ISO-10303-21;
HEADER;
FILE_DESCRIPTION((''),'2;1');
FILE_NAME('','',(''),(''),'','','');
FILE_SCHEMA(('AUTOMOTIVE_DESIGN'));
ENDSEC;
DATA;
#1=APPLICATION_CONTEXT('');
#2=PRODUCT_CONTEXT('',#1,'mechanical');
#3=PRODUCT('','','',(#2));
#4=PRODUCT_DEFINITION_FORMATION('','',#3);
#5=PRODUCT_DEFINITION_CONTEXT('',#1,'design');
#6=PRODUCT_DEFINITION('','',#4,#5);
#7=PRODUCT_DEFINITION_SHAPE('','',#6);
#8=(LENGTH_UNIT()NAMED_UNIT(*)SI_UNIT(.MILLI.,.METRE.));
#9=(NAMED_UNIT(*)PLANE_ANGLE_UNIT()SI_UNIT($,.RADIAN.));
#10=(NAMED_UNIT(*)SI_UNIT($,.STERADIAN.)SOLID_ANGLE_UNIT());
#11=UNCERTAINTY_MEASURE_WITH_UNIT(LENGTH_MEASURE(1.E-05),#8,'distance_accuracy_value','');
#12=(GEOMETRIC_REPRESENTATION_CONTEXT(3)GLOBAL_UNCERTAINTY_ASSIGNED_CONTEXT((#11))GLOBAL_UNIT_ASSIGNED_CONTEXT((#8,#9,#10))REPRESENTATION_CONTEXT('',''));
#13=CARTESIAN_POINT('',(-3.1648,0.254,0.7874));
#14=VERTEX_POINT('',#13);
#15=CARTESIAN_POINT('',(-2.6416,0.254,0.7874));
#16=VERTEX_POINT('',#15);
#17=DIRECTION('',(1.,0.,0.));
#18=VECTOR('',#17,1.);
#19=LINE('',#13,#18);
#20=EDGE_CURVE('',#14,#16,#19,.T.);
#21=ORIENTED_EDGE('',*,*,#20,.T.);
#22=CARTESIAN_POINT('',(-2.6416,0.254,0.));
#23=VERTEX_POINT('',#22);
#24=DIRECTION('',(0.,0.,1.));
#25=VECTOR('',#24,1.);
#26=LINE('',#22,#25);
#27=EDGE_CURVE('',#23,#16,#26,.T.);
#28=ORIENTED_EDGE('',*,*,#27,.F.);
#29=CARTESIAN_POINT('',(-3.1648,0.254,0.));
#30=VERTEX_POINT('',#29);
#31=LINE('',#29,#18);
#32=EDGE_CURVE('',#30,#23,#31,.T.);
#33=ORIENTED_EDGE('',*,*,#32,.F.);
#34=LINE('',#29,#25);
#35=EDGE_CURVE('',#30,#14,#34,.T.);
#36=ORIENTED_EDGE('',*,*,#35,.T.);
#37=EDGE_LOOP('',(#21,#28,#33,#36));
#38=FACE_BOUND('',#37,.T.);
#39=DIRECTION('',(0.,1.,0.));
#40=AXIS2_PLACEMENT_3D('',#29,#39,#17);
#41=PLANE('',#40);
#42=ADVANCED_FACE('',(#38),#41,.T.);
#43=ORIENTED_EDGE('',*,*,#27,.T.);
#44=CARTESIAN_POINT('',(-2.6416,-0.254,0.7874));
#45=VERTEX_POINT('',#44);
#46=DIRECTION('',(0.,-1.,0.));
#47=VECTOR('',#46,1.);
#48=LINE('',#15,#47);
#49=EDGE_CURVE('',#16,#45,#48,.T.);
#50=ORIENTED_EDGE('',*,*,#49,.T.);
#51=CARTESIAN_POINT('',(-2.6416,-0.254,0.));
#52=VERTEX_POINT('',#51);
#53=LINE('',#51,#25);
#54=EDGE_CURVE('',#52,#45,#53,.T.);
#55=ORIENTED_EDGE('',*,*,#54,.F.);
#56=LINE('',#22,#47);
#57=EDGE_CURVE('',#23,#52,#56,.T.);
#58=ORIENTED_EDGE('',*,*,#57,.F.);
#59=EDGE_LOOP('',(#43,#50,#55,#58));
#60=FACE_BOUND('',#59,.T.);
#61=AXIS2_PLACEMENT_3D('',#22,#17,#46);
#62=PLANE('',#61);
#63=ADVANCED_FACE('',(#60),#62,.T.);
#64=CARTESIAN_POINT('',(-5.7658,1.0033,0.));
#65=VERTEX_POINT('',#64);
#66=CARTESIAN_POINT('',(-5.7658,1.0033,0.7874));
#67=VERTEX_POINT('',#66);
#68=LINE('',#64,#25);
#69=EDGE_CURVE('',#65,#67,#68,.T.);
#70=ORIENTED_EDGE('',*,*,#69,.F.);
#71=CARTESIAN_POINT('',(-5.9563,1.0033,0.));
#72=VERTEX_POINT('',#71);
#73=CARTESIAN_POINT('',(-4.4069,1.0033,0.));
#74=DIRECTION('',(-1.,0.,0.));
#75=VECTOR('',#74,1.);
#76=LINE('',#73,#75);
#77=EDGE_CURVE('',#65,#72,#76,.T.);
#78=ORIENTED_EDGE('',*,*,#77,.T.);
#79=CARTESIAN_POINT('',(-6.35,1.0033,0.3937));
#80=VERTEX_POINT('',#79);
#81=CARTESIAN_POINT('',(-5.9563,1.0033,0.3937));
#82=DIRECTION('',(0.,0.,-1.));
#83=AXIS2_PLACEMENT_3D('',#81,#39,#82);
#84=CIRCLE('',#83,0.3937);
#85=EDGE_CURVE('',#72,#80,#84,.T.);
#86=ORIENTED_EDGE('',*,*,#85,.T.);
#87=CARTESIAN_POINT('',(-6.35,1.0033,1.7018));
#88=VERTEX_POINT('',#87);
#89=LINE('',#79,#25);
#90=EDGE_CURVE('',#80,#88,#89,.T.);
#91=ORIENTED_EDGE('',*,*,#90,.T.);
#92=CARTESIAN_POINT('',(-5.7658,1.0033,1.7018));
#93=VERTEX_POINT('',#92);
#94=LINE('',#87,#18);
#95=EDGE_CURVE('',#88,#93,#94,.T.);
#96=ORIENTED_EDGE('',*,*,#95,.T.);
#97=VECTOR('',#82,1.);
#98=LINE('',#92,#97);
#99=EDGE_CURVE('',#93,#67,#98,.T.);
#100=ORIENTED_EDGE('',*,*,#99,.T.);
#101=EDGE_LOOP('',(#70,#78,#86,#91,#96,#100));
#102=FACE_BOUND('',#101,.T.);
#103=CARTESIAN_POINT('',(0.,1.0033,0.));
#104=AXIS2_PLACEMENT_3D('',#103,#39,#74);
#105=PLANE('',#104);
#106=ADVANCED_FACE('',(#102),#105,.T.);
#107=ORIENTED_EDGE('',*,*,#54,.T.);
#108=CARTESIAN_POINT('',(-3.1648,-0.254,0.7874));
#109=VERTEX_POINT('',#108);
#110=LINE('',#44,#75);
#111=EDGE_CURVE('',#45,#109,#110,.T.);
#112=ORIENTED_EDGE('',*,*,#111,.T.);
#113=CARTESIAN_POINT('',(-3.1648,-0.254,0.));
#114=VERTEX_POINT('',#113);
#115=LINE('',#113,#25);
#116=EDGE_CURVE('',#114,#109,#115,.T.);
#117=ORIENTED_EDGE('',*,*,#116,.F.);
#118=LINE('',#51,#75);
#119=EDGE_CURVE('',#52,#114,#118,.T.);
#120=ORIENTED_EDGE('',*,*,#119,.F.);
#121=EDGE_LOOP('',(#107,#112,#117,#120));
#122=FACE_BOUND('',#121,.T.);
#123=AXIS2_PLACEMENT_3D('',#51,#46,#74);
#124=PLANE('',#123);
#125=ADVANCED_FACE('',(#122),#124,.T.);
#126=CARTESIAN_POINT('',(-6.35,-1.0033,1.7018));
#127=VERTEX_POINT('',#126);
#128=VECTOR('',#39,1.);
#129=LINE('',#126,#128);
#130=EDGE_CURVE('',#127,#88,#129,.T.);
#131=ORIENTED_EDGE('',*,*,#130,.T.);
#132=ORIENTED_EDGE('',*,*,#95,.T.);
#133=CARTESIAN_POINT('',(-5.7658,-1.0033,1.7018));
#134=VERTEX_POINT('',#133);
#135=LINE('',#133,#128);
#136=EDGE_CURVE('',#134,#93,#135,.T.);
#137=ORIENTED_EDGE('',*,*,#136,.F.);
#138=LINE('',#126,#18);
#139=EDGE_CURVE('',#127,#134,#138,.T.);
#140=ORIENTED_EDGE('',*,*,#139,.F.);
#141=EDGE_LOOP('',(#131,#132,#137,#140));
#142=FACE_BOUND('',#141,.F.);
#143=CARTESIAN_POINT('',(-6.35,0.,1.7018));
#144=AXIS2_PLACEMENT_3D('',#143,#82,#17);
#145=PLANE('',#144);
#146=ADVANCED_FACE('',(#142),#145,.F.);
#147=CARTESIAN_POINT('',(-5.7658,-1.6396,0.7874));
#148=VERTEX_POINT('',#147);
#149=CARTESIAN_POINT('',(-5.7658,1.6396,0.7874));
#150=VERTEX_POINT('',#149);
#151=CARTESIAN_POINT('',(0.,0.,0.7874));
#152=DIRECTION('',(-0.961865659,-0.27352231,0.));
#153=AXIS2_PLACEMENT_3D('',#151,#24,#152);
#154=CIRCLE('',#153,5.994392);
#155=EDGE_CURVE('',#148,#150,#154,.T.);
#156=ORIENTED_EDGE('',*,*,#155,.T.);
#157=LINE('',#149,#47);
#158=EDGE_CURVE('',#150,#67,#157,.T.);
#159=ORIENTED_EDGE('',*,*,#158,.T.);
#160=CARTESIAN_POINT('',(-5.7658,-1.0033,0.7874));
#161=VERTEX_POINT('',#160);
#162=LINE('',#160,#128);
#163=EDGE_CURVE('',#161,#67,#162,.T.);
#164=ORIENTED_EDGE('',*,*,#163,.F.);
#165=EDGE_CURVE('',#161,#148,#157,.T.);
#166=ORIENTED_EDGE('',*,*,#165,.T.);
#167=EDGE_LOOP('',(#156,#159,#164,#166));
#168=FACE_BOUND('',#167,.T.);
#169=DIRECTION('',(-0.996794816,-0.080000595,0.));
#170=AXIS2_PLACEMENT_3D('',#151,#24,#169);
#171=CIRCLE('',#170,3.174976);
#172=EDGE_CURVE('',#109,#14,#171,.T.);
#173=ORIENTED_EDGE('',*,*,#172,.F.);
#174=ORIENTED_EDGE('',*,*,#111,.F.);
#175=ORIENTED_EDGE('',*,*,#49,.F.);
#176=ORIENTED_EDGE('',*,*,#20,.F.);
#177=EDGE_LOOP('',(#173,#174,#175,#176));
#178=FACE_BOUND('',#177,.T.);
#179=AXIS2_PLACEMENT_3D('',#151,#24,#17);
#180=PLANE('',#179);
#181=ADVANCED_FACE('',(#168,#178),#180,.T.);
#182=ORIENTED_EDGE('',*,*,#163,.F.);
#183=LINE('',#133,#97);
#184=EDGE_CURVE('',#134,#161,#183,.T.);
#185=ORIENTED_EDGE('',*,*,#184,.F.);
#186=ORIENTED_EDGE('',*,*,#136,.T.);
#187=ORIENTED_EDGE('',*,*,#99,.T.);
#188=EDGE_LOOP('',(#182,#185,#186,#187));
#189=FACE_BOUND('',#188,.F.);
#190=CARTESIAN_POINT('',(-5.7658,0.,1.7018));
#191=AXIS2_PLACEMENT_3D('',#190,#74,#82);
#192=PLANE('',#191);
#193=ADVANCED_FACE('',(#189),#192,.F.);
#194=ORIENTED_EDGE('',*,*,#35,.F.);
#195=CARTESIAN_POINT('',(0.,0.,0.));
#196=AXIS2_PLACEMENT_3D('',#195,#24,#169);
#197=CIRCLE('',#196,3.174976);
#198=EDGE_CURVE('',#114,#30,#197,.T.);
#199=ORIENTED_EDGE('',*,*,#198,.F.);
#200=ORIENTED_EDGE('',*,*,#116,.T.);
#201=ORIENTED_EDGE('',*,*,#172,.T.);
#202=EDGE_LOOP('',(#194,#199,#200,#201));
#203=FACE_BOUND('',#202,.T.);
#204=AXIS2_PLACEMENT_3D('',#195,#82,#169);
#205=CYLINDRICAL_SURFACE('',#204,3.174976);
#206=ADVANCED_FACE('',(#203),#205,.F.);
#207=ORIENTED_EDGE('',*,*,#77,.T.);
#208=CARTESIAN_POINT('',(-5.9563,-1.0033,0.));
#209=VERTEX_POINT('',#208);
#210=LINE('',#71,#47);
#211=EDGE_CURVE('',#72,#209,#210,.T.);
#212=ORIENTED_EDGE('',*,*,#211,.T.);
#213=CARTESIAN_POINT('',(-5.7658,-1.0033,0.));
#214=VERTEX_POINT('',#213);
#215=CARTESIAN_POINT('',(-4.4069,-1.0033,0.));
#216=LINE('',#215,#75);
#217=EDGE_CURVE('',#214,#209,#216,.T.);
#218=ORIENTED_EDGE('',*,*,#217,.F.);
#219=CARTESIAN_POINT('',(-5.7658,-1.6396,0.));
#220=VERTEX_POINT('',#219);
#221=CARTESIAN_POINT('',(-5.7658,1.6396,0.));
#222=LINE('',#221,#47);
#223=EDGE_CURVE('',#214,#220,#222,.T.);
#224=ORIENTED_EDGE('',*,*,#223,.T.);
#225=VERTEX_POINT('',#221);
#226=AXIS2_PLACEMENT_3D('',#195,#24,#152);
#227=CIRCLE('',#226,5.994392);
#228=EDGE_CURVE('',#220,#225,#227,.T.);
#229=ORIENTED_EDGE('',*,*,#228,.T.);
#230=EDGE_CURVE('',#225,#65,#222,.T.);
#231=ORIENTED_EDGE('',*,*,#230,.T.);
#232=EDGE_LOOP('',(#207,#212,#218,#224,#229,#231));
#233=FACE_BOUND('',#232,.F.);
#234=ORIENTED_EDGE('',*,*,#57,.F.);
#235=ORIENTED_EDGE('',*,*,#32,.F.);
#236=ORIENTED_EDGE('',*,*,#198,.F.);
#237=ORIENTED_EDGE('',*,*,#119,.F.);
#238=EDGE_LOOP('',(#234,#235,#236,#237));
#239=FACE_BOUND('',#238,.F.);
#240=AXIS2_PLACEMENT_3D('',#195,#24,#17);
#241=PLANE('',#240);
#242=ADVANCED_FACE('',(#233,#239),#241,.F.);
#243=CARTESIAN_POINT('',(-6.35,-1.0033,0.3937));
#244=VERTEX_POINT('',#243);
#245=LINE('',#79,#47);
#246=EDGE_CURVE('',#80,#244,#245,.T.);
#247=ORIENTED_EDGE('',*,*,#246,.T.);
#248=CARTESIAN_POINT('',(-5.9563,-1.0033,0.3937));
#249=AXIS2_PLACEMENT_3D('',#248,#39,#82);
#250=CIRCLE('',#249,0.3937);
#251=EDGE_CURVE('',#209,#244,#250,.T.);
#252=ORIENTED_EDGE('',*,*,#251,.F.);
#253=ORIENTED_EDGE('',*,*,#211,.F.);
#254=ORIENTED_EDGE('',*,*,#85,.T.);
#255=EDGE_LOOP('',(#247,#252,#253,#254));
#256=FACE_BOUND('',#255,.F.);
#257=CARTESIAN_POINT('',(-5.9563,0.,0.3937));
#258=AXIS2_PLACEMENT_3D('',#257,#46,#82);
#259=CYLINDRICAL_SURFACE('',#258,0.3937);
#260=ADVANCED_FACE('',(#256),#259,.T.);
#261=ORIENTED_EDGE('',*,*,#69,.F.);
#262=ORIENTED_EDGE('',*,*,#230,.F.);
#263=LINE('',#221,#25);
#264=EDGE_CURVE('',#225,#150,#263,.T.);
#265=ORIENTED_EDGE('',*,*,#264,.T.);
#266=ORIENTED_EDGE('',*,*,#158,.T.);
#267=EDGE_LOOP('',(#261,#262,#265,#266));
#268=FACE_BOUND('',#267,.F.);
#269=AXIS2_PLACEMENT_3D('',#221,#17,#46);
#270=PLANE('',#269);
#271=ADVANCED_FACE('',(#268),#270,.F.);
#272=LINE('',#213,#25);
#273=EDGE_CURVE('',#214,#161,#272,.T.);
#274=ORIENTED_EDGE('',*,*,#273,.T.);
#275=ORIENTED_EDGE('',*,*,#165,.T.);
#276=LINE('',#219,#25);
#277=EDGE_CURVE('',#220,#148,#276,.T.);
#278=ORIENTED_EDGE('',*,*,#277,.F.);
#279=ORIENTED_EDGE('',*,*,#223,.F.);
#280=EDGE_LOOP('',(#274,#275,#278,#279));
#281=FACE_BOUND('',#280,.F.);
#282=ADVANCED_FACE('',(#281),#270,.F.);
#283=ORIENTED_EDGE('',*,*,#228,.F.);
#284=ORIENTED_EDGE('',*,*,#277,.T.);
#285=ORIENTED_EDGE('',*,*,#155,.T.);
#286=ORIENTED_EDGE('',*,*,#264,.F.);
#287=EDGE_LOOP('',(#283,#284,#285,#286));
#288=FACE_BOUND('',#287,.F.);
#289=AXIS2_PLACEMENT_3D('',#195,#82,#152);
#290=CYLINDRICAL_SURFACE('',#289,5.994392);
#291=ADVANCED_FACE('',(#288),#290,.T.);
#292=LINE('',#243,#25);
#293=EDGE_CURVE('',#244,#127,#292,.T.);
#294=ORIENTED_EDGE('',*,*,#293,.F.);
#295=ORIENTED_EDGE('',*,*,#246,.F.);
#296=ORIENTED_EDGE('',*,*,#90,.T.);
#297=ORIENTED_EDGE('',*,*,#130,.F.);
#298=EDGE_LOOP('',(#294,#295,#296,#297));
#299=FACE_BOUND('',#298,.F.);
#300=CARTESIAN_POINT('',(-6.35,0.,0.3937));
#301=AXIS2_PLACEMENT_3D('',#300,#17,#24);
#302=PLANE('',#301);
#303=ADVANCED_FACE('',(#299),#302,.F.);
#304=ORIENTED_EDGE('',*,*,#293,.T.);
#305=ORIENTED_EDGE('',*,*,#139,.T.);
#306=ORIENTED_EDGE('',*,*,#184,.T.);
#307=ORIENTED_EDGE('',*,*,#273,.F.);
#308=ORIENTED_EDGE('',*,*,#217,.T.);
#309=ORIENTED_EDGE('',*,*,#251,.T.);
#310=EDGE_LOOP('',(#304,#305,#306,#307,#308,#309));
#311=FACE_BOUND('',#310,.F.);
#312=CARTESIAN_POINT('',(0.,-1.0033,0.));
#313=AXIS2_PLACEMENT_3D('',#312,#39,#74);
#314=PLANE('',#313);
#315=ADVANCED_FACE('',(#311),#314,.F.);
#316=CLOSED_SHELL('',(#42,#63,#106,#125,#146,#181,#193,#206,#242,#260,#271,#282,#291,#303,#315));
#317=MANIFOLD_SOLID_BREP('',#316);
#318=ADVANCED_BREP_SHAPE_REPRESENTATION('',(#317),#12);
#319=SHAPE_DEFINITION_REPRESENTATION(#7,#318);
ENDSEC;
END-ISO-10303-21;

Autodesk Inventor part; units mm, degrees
sketch "Sketch_4" plane through (0, 0, 0) normal (0, 0, 1) x (1, 0, 0)
  arc A0 (-5.7658, -1.6396) -> (-5.7658, 1.6396) centre (0, 0) ccw
  line L0 (-5.7658, 1.6396) -> (-5.7658, -1.6396)
  line L1 (-3.1648, 0.254) -> (-2.6416, 0.254)
  line L2 (-2.6416, 0.254) -> (-2.6416, -0.254)
  line L3 (-2.6416, -0.254) -> (-3.1648, -0.254)
  arc A1 (-3.1648, -0.254) -> (-3.1648, 0.254) centre (0, 0) ccw
extrude "Extrusion1" add sketch "Sketch_4" along normal blind 0.7874
sketch "Sketch_2" plane through (0, 0, 0) normal (0, 1, 0) x (-1, 0, 0)
  line L0 (6.35, 1.7018) -> (5.7658, 1.7018)
  line L1 (5.7658, 1.7018) -> (5.7658, 0.7874)
  line L2 (5.7658, 0.7874) -> (4.4069, 0.7874)
  line L3 (4.4069, 0.7874) -> (4.4069, 0)
  line L4 (4.4069, 0) -> (5.9563, 0)
  arc A0 (5.9563, 0) -> (6.35, 0.3937) centre (5.9563, 0.3937) ccw
  line L5 (6.35, 0.3937) -> (6.35, 1.7018)
extrude "Extrusion2" add sketch "Sketch_2" along normal mid plane 2.0066
ref_plane "ring_XY" through (0, 0, 0.3937) normal (0, 0, 1) x (1, 0, 0)
ref_plane "ring_YZ" through (0, 0, 0.3937) normal (1, 0, 0) x (0, 1, 0)
ref_plane "ring_ZX" through (0, 0, 0.3937) normal (0, 1, 0) x (0, 0, 1)
properties part number "AT507H"
